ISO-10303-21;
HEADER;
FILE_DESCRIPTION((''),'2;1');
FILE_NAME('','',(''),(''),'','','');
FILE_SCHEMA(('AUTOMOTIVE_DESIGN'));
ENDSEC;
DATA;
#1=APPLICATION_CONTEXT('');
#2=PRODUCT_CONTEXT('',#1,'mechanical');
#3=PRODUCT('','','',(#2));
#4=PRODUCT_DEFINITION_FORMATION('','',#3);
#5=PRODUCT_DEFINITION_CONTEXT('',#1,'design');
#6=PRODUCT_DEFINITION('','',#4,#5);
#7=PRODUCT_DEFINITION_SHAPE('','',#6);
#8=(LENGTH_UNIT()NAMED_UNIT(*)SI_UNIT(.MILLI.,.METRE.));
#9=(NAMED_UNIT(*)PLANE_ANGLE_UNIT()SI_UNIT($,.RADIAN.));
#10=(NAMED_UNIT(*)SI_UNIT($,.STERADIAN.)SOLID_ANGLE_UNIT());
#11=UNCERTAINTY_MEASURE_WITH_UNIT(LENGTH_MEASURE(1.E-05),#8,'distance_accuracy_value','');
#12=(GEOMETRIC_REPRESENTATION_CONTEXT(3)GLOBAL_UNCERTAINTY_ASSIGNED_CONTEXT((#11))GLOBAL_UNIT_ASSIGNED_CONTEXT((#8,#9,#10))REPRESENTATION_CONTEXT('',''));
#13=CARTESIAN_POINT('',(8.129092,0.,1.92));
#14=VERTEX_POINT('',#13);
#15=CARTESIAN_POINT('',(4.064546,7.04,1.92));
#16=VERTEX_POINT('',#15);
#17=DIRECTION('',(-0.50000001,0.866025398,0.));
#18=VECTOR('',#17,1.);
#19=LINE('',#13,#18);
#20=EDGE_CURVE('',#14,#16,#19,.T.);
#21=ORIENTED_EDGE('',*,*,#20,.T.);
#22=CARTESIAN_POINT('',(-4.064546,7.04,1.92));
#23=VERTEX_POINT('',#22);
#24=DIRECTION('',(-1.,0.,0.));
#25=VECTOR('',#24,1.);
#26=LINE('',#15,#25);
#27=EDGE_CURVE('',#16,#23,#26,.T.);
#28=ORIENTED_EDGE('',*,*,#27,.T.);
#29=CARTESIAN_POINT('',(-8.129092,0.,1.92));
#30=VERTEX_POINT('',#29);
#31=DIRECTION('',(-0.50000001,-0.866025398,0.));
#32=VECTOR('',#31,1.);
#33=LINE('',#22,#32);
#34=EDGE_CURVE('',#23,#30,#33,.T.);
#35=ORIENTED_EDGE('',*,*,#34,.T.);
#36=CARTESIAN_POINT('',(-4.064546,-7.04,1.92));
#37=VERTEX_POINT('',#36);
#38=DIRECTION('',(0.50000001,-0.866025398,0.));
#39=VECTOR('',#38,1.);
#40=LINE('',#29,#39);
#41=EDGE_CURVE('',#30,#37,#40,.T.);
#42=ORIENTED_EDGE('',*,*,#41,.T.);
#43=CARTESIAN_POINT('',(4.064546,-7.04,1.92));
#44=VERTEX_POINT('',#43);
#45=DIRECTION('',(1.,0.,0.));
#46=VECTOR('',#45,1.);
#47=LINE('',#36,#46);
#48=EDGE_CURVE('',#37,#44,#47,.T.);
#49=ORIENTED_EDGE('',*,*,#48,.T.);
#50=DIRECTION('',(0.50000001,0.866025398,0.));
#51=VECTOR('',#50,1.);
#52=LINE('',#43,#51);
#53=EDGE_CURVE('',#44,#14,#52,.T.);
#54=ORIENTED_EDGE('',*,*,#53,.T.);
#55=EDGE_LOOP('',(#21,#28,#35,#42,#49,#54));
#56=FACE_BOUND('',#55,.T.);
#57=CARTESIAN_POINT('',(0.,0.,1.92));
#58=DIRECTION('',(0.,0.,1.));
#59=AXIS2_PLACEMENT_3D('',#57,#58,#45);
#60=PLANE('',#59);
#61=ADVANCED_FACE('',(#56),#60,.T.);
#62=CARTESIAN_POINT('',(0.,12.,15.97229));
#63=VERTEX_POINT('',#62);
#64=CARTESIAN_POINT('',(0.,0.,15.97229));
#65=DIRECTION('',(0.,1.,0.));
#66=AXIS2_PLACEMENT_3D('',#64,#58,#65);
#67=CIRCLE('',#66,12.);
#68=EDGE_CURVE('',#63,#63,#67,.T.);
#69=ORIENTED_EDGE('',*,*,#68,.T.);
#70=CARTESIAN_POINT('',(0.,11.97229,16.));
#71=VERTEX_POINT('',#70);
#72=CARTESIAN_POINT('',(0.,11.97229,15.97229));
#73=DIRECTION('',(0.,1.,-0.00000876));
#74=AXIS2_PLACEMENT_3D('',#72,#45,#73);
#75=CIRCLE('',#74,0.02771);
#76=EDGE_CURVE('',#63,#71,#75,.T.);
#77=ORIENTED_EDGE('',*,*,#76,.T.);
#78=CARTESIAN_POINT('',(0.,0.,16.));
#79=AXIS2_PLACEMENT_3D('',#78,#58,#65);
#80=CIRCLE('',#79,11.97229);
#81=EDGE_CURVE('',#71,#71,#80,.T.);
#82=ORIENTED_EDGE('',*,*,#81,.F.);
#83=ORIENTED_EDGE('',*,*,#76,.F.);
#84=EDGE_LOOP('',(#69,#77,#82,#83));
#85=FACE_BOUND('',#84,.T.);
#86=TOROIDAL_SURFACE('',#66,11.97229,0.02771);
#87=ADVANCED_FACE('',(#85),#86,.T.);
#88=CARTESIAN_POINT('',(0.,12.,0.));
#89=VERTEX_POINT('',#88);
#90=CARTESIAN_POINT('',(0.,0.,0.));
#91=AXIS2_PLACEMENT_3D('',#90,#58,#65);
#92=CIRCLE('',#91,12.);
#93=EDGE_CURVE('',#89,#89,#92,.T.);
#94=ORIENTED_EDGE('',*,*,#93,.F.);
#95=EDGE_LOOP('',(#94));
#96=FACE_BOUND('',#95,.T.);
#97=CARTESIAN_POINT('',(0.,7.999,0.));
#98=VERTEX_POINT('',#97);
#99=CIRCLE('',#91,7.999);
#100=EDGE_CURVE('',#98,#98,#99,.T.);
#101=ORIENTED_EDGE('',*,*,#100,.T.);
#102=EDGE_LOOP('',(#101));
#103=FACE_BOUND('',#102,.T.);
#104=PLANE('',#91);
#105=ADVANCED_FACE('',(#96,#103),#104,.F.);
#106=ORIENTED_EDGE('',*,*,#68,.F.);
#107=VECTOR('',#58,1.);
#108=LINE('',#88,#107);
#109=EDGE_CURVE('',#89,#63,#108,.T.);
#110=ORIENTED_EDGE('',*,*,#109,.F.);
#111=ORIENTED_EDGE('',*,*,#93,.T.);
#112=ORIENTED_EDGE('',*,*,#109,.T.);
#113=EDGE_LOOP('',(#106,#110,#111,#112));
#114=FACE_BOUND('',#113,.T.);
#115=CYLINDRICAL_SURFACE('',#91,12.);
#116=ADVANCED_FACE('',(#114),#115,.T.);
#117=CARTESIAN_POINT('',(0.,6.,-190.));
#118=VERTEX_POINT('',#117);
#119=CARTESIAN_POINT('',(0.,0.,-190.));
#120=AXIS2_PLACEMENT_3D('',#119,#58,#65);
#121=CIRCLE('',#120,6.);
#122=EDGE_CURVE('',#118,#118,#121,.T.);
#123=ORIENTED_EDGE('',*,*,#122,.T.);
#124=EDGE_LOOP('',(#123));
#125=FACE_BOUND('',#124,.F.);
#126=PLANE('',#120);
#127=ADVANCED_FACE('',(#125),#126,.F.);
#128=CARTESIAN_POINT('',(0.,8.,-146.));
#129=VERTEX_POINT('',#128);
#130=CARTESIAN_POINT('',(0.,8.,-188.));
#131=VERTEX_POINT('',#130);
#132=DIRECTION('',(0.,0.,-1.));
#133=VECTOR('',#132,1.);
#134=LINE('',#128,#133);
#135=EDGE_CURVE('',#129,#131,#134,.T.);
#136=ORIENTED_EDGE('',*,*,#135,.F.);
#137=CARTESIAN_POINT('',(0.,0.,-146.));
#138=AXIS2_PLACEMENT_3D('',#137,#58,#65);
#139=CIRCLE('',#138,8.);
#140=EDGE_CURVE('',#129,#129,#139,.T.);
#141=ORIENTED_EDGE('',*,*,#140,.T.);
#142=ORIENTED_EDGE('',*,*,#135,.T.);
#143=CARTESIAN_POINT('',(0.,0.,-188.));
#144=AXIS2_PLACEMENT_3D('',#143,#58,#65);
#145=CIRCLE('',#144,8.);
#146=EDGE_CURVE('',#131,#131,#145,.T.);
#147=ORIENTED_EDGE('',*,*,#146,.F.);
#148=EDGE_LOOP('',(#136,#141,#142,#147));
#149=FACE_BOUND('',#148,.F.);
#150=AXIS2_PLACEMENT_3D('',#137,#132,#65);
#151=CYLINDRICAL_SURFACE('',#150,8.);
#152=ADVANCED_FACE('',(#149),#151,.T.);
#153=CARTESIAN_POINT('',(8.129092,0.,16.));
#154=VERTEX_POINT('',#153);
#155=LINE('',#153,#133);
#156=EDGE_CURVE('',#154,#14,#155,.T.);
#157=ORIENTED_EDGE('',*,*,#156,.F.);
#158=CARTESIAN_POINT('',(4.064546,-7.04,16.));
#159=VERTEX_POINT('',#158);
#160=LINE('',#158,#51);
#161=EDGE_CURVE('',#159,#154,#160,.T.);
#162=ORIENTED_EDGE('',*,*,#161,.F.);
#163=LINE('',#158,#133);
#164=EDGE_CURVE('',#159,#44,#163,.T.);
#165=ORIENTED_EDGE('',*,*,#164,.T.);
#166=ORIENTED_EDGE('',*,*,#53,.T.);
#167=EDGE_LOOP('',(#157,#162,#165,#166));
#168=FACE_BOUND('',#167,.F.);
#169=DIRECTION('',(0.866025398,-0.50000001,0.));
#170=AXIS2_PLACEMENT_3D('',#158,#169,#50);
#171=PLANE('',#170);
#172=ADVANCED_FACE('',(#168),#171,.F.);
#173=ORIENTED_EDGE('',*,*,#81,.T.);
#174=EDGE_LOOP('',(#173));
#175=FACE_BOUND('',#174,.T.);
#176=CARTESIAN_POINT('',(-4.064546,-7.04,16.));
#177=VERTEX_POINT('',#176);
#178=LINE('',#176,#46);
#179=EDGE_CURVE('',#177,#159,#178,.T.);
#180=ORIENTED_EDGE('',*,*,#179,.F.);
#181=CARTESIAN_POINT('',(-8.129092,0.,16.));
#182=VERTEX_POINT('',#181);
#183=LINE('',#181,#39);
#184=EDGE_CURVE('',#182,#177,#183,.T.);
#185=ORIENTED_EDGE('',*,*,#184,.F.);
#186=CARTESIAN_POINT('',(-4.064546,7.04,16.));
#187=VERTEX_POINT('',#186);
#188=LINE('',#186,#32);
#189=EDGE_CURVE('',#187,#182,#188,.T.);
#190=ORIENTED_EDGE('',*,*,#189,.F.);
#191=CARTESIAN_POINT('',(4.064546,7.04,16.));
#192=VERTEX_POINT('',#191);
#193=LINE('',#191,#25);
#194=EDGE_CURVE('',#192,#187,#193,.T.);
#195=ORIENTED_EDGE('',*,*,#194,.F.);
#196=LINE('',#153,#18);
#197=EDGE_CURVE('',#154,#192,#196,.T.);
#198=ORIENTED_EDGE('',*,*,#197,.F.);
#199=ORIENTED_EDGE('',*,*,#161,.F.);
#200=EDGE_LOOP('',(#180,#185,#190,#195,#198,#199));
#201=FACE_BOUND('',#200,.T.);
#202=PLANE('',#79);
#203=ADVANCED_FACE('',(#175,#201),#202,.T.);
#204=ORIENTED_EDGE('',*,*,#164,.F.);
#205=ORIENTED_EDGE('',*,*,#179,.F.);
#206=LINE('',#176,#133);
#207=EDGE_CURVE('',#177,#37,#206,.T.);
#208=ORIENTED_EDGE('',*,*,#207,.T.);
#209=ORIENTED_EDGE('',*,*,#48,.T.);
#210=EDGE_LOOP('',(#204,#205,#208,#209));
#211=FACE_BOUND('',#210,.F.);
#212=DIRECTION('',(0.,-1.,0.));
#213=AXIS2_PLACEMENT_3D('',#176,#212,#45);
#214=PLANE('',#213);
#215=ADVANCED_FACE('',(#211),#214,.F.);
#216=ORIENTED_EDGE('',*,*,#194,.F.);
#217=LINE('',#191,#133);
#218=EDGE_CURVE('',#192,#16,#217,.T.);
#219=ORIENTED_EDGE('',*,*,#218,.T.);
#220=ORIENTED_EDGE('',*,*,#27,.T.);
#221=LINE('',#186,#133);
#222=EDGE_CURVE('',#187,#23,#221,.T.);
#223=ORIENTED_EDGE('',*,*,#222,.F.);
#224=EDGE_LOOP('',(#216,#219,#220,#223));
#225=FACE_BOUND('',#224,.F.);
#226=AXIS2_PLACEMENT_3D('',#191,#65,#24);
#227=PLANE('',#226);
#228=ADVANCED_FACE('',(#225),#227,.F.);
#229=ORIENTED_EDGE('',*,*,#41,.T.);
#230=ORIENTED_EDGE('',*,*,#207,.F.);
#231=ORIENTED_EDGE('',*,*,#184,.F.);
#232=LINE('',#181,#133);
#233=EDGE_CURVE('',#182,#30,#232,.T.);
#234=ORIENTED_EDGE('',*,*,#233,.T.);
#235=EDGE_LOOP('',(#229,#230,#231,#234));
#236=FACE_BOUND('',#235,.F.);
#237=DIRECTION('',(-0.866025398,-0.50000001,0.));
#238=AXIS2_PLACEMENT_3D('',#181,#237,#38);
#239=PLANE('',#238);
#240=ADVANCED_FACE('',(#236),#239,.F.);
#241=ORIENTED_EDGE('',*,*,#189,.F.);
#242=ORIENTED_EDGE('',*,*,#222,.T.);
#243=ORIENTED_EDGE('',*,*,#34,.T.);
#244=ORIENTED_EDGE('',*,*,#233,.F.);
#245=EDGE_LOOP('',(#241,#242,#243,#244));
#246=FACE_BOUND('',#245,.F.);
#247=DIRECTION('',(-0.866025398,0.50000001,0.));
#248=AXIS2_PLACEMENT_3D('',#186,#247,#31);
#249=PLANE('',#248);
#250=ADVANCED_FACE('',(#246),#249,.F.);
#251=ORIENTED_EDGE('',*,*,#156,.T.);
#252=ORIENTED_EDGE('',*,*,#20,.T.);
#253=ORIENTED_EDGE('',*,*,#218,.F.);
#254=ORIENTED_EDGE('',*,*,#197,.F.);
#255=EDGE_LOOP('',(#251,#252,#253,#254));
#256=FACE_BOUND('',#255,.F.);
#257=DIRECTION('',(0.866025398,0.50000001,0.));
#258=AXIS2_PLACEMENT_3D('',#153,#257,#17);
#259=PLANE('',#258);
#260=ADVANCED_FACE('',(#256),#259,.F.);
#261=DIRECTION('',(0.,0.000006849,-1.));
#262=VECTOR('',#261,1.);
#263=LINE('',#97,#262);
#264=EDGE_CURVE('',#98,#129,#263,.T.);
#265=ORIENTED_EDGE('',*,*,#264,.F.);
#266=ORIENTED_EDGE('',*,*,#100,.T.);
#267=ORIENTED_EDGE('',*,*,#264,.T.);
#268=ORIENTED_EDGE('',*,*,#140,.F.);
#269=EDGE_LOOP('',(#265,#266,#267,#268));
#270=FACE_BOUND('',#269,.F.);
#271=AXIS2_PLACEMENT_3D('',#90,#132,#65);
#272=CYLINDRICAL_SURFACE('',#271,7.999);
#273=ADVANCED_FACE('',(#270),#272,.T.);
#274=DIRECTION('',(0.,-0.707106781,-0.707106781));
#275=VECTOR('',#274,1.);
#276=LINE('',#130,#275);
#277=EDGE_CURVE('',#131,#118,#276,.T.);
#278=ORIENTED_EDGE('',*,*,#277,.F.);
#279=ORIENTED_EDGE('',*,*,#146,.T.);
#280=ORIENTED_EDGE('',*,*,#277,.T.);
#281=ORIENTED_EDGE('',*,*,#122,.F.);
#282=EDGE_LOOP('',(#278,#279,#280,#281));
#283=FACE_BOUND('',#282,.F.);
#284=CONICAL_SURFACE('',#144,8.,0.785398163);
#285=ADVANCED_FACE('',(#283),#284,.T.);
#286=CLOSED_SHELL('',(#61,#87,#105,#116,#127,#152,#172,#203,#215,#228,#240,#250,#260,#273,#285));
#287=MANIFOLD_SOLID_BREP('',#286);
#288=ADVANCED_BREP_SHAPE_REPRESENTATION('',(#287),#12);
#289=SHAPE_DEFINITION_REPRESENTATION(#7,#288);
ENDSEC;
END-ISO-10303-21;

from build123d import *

# Parameters (mm, degrees)
POCKET_DEPTH = 14.08


with BuildPart() as part:
    # Sketch → Revolve (revolve)
    with BuildSketch(Plane.YZ):
        with BuildLine():
            Line((7.999, 0), (12, 0))
            Line((12, 0), (12, 15.97229))
            ThreePointArc((12, 15.97229), (11.991884, 15.991884), (11.97229, 16))
            Line((11.97229, 16), (0, 16))
            Line((0, -190), (0, 16))
            Line((6, -190), (0, -190))
            Line((8, -188), (6, -190))
            Line((8, -146), (8, -188))
            Line((7.999, 0), (8, -146))
        make_face()
    revolve(axis=Axis((0, 0, 0), (0, 0, 1)))

    # Sketch001 → Pocket (cut)
    with BuildSketch(Plane.XY.offset(16)):
        Polygon((8.129092, 0), (4.064546, 7.04), (-4.064546, 7.04), (-8.129092, 0), (-4.064546, -7.04), (4.064546, -7.04), align=None)
    extrude(amount=-POCKET_DEPTH, mode=Mode.SUBTRACT)


solid = part.part
